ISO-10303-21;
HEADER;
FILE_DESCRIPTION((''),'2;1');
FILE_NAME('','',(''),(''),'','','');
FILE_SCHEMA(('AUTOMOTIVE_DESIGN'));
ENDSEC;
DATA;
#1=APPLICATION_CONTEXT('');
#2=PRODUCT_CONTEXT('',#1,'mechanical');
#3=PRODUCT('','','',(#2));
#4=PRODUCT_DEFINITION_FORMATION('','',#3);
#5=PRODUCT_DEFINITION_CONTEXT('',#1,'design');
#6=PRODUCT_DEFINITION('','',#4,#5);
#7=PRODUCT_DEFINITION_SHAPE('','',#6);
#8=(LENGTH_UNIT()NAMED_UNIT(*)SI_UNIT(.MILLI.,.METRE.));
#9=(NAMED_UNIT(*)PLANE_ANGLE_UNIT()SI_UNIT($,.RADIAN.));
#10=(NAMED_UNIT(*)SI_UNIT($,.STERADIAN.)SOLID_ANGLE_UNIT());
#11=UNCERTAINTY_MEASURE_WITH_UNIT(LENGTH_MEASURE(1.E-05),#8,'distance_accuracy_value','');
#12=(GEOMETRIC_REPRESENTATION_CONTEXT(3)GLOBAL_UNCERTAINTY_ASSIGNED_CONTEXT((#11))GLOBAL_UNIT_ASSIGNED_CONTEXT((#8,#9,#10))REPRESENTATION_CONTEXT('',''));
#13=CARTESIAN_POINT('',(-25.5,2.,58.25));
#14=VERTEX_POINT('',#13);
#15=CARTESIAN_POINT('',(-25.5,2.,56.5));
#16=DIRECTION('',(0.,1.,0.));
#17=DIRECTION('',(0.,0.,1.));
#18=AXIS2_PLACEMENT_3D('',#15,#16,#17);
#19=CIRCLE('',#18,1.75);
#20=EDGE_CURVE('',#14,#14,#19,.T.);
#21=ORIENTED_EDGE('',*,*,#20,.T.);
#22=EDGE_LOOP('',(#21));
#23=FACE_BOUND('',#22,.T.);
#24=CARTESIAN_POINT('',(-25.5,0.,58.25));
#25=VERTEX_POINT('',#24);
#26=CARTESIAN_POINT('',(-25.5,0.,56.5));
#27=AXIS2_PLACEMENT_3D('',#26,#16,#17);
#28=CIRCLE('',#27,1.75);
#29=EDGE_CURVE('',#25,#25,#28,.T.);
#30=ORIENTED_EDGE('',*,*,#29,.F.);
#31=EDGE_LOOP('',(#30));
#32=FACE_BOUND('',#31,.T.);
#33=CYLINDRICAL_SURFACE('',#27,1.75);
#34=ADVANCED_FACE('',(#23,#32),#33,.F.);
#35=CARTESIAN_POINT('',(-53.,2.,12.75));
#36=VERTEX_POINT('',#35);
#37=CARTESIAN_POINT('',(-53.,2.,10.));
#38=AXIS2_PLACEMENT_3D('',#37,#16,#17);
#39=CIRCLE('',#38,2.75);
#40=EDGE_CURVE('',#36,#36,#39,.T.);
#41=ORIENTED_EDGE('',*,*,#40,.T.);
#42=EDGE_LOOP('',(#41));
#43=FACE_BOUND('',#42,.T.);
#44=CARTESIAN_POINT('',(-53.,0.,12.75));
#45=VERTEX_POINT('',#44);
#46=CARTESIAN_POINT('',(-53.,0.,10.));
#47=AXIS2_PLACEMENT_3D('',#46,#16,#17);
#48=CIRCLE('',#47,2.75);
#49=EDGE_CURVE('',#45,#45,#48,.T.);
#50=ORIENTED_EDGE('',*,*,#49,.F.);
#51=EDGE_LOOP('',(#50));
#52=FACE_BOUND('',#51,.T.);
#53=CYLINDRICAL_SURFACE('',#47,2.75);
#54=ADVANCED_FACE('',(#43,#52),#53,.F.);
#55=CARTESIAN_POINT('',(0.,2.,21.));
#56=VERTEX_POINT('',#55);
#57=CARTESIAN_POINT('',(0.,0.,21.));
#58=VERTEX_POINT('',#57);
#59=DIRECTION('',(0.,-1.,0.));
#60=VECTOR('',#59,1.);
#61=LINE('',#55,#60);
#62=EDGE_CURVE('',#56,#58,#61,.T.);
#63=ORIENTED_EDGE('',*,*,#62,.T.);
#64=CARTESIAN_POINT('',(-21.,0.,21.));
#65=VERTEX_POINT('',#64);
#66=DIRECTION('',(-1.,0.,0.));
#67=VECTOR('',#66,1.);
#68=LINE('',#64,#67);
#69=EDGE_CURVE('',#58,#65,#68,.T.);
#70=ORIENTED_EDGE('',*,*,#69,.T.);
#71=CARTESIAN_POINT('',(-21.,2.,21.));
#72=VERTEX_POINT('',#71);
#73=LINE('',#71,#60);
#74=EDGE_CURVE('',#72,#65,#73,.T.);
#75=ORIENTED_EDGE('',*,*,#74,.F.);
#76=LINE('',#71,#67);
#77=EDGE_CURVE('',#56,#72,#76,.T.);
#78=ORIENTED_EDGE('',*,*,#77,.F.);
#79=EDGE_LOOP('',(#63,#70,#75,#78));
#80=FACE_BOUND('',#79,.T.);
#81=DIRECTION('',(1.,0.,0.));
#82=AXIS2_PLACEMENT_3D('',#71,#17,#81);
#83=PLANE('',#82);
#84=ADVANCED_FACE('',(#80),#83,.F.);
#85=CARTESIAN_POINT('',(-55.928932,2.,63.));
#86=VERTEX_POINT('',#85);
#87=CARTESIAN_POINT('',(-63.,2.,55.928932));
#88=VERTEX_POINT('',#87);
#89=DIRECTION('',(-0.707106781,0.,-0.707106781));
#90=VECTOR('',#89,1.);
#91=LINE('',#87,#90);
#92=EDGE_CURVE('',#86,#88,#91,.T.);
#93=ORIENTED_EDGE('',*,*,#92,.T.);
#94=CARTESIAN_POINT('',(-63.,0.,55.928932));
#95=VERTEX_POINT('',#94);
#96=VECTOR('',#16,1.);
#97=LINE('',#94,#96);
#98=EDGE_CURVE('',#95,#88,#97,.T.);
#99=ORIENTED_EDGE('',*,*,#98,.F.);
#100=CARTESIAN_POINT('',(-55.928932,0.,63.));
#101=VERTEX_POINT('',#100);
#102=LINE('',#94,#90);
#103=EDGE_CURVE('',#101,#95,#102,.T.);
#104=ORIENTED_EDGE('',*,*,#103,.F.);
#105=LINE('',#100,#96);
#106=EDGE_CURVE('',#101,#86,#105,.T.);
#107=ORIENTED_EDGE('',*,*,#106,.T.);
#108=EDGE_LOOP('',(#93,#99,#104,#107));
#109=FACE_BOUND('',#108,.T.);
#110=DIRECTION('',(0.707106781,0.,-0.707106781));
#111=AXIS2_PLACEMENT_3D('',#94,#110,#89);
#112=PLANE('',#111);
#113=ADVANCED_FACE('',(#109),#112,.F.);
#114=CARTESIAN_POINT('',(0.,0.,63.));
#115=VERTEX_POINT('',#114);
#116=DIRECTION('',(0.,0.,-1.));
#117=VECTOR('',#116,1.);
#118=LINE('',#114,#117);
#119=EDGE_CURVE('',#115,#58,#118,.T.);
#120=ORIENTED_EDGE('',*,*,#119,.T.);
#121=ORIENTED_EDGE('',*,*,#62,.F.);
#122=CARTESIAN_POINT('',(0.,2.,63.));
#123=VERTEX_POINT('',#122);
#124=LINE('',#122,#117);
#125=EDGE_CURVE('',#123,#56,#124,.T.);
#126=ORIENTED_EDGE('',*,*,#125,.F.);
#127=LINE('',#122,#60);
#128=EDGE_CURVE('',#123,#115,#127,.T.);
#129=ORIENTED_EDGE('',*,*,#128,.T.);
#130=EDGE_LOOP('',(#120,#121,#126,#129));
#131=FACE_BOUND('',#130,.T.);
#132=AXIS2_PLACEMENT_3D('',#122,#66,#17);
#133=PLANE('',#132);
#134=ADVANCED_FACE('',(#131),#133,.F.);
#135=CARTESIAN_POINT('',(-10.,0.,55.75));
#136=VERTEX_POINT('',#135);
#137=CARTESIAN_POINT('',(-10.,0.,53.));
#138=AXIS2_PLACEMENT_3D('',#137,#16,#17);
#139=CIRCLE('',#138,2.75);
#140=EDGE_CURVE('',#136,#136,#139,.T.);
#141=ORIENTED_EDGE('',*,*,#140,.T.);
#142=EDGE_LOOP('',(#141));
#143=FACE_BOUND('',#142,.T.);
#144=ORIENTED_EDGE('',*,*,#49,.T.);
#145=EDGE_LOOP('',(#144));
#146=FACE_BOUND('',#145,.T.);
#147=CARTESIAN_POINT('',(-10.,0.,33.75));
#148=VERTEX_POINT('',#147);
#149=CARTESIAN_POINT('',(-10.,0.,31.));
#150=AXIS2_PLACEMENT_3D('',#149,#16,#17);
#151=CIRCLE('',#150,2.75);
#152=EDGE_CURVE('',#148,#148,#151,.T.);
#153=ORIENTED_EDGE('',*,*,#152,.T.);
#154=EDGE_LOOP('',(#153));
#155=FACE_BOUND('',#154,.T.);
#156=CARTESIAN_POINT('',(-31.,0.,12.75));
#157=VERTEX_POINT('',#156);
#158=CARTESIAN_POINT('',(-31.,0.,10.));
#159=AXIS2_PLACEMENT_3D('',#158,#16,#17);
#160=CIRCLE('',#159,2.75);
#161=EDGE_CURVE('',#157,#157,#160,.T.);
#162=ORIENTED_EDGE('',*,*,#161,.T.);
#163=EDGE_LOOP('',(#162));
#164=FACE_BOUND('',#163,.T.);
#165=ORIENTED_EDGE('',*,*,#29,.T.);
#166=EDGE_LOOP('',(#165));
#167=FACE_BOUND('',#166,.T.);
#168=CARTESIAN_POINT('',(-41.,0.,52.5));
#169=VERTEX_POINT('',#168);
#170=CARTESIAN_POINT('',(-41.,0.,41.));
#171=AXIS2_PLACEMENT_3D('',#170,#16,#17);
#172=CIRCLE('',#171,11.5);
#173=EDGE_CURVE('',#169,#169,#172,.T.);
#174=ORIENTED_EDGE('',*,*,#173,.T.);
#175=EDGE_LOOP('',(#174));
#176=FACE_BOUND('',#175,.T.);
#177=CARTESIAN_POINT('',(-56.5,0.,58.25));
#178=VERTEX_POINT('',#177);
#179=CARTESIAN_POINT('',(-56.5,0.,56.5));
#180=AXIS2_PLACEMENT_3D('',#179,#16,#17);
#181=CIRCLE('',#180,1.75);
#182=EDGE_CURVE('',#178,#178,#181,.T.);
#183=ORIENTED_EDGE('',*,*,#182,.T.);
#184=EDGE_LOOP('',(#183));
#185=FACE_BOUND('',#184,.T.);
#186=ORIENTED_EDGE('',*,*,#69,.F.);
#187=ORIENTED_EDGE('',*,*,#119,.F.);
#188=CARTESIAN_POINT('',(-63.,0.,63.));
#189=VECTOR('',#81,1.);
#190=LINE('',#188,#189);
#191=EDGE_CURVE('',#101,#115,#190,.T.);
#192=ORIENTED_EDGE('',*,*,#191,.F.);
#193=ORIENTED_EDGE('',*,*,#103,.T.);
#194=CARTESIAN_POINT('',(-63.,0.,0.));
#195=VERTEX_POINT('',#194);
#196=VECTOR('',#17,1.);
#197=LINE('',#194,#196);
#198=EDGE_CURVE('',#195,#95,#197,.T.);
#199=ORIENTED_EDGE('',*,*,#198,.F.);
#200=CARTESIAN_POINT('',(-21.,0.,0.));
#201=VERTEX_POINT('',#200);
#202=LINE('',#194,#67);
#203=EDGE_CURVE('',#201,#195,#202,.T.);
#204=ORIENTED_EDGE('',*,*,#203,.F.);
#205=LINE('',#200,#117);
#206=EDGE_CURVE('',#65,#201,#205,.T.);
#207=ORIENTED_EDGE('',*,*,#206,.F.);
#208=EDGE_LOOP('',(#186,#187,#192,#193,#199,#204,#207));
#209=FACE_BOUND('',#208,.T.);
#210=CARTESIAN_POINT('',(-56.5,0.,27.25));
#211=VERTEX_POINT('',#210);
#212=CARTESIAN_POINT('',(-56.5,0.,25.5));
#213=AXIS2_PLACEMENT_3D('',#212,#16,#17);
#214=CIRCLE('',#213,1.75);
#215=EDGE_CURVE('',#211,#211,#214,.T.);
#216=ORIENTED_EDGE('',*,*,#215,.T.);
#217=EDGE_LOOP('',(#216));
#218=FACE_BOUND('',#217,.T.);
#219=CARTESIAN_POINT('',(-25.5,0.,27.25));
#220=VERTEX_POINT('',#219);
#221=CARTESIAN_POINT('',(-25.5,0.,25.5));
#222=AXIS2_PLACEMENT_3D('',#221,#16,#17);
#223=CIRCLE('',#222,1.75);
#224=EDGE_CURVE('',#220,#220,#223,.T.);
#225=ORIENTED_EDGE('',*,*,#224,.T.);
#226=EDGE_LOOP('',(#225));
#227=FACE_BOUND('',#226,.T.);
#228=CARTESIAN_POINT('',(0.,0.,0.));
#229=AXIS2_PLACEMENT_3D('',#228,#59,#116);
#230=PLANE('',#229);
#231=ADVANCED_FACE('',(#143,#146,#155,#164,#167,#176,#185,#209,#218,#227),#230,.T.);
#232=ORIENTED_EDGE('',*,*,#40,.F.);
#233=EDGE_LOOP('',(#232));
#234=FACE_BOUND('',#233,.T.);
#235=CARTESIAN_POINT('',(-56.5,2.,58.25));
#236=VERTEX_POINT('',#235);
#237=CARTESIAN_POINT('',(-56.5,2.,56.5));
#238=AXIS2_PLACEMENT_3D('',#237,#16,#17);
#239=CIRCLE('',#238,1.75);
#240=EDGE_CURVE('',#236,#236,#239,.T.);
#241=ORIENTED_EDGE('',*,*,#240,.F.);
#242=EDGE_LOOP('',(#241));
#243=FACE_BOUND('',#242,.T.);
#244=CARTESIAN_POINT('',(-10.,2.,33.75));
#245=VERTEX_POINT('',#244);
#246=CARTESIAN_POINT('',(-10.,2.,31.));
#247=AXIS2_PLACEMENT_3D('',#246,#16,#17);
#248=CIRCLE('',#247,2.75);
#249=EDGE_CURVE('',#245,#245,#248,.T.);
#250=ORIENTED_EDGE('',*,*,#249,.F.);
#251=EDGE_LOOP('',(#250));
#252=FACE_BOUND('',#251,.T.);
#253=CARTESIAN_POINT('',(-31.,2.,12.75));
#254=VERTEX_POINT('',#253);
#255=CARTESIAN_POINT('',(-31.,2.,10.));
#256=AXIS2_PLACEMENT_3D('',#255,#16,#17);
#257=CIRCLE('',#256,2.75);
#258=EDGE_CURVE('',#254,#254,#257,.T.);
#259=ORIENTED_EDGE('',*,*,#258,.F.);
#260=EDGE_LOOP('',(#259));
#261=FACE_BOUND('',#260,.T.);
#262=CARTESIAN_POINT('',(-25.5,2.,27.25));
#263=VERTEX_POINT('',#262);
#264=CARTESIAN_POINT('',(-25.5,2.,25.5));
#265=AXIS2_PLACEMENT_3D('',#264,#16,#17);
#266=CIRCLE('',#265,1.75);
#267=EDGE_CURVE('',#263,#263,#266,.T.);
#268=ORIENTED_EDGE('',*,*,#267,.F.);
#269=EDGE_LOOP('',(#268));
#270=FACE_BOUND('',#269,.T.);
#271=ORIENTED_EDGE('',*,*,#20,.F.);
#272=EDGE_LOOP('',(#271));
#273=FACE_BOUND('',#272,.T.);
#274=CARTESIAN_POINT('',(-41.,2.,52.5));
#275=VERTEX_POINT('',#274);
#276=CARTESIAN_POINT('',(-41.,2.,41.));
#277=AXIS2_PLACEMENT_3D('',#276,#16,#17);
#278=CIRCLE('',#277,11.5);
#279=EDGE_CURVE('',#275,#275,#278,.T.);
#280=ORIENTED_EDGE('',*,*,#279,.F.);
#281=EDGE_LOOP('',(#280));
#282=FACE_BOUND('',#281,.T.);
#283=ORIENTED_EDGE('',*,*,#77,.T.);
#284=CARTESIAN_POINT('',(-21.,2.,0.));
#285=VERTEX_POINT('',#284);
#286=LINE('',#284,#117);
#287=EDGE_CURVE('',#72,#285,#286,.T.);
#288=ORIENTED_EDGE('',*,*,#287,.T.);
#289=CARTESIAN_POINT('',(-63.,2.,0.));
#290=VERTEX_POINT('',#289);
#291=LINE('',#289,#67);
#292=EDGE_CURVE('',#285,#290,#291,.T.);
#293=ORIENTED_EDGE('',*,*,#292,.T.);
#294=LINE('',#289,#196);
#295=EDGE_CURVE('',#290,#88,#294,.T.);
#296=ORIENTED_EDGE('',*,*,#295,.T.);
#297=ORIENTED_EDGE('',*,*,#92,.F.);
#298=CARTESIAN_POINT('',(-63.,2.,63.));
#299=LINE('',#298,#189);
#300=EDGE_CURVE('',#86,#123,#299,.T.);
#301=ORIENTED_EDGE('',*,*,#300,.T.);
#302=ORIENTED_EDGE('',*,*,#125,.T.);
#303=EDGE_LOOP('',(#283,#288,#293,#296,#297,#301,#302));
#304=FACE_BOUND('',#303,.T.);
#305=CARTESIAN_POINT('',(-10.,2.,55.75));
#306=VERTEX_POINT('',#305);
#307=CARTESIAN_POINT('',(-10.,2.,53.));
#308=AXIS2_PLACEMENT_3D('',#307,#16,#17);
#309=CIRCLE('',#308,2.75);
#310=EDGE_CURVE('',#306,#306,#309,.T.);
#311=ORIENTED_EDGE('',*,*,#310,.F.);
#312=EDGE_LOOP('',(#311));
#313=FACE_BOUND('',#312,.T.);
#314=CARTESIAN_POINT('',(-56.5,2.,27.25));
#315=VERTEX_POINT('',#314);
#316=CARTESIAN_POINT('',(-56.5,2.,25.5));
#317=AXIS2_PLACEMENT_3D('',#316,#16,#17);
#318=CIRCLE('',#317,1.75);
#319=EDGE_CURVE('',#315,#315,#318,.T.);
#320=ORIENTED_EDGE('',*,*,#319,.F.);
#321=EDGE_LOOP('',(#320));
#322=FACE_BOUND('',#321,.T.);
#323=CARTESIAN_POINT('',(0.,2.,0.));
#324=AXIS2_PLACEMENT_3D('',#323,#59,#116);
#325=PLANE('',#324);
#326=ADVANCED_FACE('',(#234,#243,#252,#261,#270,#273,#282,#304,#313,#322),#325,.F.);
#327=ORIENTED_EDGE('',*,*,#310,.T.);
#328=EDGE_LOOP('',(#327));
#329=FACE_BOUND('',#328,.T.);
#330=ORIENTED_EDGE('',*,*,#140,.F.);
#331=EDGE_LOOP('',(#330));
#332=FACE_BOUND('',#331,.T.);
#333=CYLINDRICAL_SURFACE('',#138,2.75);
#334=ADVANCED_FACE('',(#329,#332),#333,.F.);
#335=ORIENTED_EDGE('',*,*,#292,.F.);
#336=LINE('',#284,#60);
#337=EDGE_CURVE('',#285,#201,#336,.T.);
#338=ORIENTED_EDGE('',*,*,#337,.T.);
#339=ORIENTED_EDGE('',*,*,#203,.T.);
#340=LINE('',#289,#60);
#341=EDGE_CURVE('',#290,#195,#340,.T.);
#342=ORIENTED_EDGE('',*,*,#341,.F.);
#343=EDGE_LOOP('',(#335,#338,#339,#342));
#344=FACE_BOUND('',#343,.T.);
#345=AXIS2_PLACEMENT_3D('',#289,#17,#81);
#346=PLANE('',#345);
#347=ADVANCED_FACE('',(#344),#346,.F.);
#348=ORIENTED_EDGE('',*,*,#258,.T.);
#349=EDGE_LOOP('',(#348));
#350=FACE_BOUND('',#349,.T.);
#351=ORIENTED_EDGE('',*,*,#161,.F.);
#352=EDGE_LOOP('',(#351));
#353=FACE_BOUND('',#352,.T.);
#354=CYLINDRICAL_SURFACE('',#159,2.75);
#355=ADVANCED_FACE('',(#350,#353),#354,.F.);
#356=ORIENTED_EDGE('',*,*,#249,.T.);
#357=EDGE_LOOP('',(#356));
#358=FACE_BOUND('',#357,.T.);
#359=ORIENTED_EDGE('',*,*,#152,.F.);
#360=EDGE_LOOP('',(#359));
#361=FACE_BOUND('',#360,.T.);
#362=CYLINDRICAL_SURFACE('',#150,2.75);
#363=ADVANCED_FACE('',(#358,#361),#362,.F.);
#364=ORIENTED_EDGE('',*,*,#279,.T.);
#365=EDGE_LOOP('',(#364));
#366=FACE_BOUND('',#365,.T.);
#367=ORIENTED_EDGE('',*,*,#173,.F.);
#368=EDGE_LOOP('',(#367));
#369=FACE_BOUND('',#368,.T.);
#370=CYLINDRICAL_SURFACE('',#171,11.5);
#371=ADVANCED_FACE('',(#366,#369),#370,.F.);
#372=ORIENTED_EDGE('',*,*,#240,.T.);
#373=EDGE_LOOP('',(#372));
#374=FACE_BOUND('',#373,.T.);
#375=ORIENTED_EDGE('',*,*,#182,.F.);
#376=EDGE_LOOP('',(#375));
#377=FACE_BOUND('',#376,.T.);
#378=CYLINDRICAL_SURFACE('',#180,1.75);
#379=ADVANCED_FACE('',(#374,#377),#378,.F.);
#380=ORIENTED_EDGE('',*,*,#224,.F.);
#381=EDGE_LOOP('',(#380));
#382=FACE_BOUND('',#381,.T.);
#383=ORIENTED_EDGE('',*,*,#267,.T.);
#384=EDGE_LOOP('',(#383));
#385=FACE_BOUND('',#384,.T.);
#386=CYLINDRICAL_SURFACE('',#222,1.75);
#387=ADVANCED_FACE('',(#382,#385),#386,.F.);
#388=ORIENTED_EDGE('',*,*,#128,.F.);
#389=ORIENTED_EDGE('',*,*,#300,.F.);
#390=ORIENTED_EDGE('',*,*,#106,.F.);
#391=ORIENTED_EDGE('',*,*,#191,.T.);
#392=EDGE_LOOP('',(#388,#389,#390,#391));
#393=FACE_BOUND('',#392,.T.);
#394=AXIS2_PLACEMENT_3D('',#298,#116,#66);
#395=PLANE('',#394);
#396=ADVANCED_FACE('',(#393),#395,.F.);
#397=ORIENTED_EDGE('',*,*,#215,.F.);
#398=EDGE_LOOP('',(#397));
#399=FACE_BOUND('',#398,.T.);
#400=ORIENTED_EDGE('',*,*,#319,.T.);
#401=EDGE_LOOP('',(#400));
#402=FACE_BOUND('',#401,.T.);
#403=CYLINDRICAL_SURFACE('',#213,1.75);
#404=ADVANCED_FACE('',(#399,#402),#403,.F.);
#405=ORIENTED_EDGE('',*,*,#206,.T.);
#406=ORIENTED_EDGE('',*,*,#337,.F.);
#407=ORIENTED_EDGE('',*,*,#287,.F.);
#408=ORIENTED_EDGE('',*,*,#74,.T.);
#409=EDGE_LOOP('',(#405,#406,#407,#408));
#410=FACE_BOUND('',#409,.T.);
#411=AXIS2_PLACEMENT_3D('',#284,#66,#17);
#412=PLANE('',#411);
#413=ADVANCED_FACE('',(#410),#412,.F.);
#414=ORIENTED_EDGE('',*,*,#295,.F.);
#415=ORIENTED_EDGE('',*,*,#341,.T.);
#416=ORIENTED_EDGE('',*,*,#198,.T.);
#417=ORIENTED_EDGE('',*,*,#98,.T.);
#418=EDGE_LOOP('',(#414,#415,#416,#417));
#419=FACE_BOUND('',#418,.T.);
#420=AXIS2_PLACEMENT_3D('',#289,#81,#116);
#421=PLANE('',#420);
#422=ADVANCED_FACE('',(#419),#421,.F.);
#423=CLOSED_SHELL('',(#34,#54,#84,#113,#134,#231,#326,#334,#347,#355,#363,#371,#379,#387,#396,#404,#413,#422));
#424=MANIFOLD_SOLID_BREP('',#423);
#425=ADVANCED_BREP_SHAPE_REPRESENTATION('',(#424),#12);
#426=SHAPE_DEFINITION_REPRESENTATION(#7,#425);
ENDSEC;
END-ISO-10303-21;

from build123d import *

# Parameters (mm, degrees)
EXTRUDE_1_DEPTH     = 2
SKETCH_3_R          = 2.75
SKETCH_3_R_2        = 1.75
SKETCH_3_R_3        = 11.5
CUT_EXTRUDE_1_DEPTH = 3


with BuildPart() as part:
    # 草图1 → 凸台-拉伸1 (new body)
    with BuildSketch(Plane(origin=(0, 0, 0), x_dir=(1, 0, 0), z_dir=(0, 1, 0))):
        Polygon((-63, 0), (-63, -63), (0, -63), (0, -21), (-21, -21), (-21, 0), align=None)
    extrude(amount=EXTRUDE_1_DEPTH)

    # 草图3 → 切除-拉伸1 (cut, through all)
    with BuildSketch(Plane(origin=(0, 2, 0), x_dir=(1, 0, 0), z_dir=(0, 1, 0))):
        with Locations((-53, -10)):
            Circle(SKETCH_3_R)
        with Locations((-56.5, -56.5)):
            Circle(SKETCH_3_R_2)
        with Locations((-25.5, -56.5)):
            Circle(SKETCH_3_R_2)
        with Locations((-25.5, -25.5)):
            Circle(SKETCH_3_R_2)
        with Locations((-56.5, -25.5)):
            Circle(SKETCH_3_R_2)
        with Locations((-41, -41)):
            Circle(SKETCH_3_R_3)
        with Locations((-10, -53)):
            Circle(SKETCH_3_R)
        with Locations((-10, -31)):
            Circle(SKETCH_3_R)
        with Locations((-31, -10)):
            Circle(SKETCH_3_R)
        Polygon((-63, -63), (-63, -55.928932188), (-55.928932188, -63), align=None)
    extrude(amount=-CUT_EXTRUDE_1_DEPTH, mode=Mode.SUBTRACT)


solid = part.part
